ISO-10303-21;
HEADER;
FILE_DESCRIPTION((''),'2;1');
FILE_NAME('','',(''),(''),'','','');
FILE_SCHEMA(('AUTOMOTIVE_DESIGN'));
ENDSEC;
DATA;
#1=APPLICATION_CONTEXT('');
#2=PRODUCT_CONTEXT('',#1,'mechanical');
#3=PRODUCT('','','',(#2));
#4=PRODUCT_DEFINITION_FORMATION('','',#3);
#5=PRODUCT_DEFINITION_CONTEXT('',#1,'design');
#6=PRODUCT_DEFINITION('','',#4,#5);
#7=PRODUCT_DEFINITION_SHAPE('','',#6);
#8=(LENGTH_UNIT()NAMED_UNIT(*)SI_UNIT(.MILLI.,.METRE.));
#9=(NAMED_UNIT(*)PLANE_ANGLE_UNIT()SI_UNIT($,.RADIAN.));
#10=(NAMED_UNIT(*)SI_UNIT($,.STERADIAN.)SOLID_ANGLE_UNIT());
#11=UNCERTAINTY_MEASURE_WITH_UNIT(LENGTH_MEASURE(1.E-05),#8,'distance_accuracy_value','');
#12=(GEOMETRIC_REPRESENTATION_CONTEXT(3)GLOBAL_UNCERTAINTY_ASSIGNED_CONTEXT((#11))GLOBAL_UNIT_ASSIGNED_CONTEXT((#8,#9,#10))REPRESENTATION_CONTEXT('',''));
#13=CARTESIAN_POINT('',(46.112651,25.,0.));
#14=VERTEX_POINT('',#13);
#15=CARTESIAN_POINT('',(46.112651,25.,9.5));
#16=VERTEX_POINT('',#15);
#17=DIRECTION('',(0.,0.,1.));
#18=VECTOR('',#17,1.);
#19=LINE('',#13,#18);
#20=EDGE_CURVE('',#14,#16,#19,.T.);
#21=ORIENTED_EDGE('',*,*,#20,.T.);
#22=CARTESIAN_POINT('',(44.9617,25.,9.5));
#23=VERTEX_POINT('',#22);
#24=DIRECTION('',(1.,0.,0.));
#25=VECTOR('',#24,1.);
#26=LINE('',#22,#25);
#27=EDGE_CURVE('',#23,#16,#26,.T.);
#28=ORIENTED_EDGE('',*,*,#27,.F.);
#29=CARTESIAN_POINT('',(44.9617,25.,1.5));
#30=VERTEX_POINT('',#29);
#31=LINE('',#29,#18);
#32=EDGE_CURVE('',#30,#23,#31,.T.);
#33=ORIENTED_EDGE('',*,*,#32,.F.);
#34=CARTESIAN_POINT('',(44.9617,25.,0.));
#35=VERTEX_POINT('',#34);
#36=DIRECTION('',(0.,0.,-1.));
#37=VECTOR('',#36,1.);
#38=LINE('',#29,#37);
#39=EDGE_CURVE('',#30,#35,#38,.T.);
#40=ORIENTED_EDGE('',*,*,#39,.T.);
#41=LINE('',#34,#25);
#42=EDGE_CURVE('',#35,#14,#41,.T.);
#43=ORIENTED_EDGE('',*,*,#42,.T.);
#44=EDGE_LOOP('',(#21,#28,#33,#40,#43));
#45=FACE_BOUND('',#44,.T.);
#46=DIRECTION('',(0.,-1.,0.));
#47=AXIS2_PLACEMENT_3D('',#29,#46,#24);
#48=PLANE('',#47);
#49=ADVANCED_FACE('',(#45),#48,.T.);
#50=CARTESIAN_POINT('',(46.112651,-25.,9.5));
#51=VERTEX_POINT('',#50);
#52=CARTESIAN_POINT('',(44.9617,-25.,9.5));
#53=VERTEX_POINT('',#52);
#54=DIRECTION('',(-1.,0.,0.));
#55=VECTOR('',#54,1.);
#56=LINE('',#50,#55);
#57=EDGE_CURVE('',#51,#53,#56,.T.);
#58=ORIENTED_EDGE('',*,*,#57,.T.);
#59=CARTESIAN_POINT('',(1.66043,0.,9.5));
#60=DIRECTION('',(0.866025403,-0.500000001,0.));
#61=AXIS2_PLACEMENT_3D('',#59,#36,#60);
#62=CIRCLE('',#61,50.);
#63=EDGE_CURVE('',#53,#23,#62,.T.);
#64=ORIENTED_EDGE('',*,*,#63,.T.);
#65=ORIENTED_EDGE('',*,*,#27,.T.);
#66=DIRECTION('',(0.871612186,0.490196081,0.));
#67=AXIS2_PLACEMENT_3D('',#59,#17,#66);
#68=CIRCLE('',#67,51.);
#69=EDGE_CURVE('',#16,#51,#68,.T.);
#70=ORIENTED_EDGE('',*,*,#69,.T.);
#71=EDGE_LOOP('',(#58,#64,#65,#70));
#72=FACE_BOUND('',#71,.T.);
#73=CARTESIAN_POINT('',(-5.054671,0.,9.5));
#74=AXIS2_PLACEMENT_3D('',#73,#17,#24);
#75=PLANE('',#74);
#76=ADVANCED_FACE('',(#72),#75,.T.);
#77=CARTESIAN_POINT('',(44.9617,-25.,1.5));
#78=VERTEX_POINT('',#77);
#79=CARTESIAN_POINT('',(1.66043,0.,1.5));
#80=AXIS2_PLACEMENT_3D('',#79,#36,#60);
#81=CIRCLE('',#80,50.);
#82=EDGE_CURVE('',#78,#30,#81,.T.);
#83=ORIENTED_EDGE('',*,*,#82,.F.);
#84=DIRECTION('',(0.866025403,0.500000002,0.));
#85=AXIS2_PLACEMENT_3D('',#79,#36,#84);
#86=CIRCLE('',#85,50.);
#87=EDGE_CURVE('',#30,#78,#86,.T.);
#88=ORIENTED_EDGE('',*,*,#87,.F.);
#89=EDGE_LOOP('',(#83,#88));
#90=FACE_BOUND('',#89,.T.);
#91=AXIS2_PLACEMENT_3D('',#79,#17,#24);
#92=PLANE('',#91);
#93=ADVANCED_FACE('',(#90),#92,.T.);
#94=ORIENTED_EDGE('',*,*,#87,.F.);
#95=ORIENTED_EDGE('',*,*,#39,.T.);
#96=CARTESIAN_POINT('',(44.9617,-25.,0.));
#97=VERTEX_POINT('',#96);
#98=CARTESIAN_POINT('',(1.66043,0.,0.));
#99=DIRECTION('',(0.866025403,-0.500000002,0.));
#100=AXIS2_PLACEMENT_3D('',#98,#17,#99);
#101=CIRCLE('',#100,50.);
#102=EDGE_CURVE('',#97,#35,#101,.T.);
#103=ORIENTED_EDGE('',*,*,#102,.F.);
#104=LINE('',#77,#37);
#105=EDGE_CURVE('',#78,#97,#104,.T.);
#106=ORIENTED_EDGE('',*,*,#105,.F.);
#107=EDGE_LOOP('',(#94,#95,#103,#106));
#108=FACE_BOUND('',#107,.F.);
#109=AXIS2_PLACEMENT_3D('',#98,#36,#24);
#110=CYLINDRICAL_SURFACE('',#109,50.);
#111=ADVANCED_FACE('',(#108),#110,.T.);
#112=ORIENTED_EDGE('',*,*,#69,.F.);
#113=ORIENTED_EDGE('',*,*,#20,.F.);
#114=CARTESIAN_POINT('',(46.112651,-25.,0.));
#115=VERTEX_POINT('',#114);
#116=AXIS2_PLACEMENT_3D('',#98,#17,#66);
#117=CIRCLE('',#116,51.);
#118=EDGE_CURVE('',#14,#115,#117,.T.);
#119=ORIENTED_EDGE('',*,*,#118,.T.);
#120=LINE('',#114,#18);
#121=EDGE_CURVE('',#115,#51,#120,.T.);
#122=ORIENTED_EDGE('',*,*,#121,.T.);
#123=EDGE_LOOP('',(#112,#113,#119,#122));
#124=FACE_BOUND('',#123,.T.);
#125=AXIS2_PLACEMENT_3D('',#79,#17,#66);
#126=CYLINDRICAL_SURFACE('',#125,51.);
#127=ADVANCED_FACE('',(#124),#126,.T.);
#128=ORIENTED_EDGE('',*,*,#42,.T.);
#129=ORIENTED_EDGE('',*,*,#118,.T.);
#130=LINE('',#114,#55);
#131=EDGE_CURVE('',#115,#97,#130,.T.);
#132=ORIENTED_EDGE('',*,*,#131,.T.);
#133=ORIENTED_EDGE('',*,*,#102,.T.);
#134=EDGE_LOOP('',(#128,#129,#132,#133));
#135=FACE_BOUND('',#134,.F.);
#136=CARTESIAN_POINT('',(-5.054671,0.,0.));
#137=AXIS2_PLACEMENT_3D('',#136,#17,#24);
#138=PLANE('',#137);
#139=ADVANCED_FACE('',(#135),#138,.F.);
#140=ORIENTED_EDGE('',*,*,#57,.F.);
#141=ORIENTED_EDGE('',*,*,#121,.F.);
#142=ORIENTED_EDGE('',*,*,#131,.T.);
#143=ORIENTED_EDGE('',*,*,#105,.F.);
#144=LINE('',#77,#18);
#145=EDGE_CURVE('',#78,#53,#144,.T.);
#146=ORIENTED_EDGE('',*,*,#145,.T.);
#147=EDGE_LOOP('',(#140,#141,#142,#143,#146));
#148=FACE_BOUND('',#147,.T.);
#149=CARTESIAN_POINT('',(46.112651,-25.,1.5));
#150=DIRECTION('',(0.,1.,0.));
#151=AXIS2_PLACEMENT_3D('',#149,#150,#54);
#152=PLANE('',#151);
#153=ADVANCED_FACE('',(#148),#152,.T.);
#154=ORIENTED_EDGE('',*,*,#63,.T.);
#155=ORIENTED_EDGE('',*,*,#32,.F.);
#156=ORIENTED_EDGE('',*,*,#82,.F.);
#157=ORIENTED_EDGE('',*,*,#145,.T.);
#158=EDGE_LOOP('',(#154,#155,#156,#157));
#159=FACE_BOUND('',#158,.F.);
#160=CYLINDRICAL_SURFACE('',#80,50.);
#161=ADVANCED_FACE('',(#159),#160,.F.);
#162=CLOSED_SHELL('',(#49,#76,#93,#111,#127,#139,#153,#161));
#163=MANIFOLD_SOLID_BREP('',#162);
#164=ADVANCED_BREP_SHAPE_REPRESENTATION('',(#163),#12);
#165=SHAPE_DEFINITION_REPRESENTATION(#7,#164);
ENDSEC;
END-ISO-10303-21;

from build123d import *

# Parameters (mm, degrees)
F0_R          = 50
F1_DEPTH      = 1.5
F3_DEPTH      = 8
F3_DEPTH_BACK = 1.5


with BuildPart() as f1:
    # F0 (on Top) → F1 (new body)
    with BuildSketch(Plane.XY):
        with Locations((1.66043, 0)):
            Circle(F0_R)
    extrude(amount=F1_DEPTH)

    # F2 (on face) → F3 (join, two sides)
    with BuildSketch(Plane.XY.offset(1.5)) as f3_sk:
        with BuildLine():
            ThreePointArc((44.9617, -25), (-48.33957, 0), (44.9617, 25))
            Line((44.9617, 25), (46.112651, 25))
            ThreePointArc((46.112651, 25), (-49.33957, 0), (46.112651, -25))
            Line((46.112651, -25), (44.9617, -25))
        make_face()
    extrude(amount=F3_DEPTH)
    extrude(f3_sk.sketch, amount=-F3_DEPTH_BACK)


solid = f1.part
